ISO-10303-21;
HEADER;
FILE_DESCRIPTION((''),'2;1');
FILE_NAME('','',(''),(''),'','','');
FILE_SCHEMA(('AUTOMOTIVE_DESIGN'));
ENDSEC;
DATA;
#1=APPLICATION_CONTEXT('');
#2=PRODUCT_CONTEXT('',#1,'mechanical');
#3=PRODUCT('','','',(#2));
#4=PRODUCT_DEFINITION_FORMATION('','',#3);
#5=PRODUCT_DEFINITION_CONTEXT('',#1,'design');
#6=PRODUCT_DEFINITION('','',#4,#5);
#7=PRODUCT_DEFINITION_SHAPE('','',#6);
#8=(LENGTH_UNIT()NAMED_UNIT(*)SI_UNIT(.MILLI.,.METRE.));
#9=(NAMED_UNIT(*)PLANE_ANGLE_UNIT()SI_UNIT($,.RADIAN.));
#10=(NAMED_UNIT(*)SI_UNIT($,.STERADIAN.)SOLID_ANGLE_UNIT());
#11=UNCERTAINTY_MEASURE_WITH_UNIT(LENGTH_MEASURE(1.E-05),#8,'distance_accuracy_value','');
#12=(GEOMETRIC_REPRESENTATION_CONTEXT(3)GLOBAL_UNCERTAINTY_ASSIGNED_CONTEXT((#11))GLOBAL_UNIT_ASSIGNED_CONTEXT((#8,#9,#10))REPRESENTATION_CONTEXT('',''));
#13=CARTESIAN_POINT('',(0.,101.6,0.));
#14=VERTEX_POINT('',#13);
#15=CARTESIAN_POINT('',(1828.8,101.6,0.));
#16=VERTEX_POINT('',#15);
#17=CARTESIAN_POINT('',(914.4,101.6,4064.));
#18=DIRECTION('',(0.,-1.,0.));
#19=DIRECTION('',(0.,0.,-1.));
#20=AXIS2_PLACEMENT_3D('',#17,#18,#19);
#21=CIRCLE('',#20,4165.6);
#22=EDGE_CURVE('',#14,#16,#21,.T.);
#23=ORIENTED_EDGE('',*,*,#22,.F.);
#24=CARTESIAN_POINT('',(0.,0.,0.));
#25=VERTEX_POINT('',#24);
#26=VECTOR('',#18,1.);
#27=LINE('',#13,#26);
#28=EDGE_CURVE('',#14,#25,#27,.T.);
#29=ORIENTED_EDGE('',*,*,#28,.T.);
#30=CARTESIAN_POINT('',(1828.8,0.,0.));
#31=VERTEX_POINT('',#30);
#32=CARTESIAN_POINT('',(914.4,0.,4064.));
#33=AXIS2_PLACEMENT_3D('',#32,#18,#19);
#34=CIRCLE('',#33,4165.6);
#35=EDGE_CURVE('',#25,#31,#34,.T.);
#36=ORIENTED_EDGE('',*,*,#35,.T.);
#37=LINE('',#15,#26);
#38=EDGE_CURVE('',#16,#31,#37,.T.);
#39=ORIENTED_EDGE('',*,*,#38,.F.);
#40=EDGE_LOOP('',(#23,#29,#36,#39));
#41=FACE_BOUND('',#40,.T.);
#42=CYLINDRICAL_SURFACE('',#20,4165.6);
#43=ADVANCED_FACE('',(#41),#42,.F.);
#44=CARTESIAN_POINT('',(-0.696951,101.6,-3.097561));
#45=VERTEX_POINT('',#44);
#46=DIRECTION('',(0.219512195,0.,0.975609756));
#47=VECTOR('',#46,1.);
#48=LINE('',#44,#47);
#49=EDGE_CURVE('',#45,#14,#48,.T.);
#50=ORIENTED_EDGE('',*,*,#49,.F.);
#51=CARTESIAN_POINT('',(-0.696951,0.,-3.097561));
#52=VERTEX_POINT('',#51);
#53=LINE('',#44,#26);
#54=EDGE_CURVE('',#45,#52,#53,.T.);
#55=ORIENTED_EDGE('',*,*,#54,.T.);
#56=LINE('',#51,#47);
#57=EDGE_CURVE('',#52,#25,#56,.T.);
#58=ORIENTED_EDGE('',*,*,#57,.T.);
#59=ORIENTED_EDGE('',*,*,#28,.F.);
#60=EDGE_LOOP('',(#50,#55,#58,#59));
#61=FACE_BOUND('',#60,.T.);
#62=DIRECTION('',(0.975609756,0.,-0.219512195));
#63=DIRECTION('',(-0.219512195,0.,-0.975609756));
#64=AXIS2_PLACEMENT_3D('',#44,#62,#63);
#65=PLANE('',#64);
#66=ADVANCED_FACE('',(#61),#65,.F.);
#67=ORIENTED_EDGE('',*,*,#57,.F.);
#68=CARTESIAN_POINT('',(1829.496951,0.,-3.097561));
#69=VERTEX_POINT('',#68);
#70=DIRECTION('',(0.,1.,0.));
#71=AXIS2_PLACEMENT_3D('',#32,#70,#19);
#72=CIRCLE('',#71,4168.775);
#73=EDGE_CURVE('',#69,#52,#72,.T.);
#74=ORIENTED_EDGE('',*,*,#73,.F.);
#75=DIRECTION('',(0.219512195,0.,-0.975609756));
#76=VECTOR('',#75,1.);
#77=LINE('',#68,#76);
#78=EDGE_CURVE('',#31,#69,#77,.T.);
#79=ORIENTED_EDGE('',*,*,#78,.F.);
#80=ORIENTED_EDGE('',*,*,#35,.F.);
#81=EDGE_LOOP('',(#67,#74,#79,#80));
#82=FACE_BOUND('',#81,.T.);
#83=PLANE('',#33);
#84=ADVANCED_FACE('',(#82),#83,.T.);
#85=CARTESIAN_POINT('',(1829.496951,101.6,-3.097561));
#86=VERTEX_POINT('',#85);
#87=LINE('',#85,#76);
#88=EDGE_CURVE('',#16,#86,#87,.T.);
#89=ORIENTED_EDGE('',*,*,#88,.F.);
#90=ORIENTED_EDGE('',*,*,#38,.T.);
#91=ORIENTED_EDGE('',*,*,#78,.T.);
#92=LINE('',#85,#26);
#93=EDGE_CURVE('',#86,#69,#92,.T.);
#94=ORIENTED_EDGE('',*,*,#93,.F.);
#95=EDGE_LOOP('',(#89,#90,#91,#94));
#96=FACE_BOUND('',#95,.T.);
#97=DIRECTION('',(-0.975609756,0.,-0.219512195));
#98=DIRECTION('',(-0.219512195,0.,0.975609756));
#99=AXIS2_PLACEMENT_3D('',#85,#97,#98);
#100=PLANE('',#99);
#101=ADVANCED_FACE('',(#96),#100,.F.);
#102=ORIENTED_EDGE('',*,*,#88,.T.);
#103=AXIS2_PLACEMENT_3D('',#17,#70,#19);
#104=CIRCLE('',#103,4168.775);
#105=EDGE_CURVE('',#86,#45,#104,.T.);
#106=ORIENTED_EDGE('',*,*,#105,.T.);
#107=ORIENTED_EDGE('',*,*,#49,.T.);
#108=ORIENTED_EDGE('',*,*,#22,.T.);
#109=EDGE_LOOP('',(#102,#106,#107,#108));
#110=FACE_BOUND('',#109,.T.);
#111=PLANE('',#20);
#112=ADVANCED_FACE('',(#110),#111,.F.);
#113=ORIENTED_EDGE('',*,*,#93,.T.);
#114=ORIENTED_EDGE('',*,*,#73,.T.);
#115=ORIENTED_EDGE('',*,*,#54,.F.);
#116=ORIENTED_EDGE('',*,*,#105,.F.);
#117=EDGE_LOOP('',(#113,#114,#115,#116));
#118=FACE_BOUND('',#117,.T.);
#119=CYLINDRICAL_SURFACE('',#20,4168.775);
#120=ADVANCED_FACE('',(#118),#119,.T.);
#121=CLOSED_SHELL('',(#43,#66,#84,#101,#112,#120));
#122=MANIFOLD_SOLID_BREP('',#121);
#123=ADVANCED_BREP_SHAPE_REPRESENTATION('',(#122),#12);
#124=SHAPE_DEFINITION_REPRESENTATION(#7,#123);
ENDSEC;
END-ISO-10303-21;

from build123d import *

# Parameters (mm, degrees)
BOSS_EXTRUDE1_DEPTH = 101.6


with BuildPart() as part:
    # Sketch1 → Boss-Extrude1 (new body)
    with BuildSketch(Plane(origin=(0, 0, 0), x_dir=(1, 0, 0), z_dir=(0, 1, 0))):
        with BuildLine():
            Line((-0.69695122, 3.097560976), (0, 0))
            ThreePointArc((0, 0), (914.4, 101.6), (1828.8, 0))
            Line((1828.8, 0), (1829.49695122, 3.097560976))
            ThreePointArc((1829.49695122, 3.097560976), (914.4, 104.775), (-0.69695122, 3.097560976))
        make_face()
    extrude(amount=BOSS_EXTRUDE1_DEPTH)


solid = part.part
